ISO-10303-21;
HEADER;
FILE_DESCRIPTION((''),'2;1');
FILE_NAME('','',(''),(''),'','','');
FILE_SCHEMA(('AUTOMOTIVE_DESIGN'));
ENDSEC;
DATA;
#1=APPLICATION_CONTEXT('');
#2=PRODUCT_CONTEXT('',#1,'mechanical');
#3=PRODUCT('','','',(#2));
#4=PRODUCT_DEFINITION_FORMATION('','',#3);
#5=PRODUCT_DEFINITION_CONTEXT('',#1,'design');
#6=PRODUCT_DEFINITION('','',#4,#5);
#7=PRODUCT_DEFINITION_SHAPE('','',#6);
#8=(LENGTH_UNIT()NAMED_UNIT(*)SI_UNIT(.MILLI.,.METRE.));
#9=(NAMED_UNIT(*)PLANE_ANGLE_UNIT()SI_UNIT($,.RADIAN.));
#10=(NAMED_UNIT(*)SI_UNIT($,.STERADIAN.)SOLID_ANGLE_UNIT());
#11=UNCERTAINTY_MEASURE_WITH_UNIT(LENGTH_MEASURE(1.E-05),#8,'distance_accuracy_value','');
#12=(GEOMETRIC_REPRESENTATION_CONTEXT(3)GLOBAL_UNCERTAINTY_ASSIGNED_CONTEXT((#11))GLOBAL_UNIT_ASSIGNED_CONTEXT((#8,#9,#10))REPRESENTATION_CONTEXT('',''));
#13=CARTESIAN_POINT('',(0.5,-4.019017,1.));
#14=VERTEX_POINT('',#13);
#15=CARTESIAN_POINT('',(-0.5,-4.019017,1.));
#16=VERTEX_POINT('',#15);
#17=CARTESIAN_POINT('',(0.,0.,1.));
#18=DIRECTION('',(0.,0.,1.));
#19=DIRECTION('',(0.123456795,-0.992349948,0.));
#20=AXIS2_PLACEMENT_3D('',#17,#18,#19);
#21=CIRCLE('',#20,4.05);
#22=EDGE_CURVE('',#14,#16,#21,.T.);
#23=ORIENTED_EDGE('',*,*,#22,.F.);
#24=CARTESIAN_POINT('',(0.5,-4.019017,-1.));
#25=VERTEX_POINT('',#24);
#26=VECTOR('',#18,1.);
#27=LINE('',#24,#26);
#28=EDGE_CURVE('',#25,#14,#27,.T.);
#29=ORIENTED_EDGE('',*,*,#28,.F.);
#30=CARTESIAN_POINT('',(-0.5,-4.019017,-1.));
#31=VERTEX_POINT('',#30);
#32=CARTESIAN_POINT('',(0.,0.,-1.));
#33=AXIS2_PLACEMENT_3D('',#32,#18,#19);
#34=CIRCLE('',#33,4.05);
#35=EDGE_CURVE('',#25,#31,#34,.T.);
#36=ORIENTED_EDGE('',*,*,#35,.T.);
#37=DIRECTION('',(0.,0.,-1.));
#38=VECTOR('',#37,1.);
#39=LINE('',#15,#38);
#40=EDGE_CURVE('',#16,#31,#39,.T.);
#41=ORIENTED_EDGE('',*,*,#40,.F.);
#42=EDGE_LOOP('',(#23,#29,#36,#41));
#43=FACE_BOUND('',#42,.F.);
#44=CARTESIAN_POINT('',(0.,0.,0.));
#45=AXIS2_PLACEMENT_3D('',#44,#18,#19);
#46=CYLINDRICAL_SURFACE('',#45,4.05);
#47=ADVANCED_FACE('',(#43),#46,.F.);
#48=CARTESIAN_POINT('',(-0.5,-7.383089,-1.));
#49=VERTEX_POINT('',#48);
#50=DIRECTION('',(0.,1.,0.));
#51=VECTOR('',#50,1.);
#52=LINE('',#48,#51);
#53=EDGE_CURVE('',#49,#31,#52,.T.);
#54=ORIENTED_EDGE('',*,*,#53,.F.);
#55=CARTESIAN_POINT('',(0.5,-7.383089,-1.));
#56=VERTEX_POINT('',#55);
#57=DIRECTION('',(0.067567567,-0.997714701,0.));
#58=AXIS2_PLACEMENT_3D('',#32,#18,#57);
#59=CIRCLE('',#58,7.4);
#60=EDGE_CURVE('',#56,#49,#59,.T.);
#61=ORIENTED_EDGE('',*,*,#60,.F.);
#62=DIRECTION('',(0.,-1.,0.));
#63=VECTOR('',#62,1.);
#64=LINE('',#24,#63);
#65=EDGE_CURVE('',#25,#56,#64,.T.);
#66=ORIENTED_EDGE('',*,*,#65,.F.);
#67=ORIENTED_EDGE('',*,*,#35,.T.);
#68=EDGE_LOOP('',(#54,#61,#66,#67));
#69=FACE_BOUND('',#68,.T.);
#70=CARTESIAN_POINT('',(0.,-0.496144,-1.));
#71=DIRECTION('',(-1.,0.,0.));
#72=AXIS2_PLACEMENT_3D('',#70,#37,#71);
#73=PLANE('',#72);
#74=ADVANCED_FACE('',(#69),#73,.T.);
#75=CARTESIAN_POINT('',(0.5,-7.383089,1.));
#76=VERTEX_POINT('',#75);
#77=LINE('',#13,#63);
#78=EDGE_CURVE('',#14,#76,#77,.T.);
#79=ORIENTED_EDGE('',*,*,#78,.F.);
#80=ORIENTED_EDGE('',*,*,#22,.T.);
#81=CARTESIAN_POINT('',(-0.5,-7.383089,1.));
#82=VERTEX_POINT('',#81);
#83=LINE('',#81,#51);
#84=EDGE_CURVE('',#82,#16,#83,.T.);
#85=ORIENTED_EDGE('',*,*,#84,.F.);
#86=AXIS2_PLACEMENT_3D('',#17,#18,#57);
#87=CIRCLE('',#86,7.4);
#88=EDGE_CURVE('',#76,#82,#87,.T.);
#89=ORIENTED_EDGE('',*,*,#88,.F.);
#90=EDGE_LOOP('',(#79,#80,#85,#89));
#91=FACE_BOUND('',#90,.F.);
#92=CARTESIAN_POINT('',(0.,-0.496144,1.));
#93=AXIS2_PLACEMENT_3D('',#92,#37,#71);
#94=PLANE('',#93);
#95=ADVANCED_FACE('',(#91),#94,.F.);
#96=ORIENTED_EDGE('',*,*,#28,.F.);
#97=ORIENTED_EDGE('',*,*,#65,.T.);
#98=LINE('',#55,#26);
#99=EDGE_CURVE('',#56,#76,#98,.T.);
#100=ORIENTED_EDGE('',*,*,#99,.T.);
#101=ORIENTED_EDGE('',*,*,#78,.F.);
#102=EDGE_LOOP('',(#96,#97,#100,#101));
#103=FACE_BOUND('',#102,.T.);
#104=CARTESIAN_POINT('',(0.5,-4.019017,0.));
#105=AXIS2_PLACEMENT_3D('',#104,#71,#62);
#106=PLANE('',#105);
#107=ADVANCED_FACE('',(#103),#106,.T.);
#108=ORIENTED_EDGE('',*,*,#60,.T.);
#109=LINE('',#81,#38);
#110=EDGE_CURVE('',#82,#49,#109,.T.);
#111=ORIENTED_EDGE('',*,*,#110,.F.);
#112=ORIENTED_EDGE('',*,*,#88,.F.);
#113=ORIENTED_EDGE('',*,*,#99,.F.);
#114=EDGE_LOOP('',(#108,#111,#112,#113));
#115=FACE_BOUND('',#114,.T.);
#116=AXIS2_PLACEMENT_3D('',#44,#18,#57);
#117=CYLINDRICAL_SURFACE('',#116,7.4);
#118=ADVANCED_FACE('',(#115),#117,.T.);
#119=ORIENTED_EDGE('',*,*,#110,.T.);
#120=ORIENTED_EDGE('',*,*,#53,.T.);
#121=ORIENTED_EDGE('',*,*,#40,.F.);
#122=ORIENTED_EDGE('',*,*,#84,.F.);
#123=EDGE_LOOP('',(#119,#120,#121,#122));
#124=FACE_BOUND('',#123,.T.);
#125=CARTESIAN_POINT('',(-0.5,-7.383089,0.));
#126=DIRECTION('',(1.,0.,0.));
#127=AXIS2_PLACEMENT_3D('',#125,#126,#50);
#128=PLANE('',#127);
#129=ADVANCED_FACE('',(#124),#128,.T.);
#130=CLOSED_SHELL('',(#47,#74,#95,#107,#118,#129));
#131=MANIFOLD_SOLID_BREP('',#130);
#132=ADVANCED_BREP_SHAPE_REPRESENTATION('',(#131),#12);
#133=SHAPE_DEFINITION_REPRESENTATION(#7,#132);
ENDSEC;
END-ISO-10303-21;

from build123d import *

# Parameters (mm, degrees)
PAD_DEPTH = 1


with BuildPart() as part:
    # Sketch → Pad (new body, symmetric)
    with BuildSketch(Plane.XY):
        with BuildLine():
            ThreePointArc((0.5, -4.019017), (0, 4.05), (-0.5, -4.019017))
            Line((-0.5, -7.383089), (-0.5, -4.019017))
            ThreePointArc((0.5, -7.383089), (0, 7.4), (-0.5, -7.383089))
            Line((0.5, -4.019017), (0.5, -7.383089))
        make_face()
    extrude(amount=PAD_DEPTH, both=True)


solid = part.part
